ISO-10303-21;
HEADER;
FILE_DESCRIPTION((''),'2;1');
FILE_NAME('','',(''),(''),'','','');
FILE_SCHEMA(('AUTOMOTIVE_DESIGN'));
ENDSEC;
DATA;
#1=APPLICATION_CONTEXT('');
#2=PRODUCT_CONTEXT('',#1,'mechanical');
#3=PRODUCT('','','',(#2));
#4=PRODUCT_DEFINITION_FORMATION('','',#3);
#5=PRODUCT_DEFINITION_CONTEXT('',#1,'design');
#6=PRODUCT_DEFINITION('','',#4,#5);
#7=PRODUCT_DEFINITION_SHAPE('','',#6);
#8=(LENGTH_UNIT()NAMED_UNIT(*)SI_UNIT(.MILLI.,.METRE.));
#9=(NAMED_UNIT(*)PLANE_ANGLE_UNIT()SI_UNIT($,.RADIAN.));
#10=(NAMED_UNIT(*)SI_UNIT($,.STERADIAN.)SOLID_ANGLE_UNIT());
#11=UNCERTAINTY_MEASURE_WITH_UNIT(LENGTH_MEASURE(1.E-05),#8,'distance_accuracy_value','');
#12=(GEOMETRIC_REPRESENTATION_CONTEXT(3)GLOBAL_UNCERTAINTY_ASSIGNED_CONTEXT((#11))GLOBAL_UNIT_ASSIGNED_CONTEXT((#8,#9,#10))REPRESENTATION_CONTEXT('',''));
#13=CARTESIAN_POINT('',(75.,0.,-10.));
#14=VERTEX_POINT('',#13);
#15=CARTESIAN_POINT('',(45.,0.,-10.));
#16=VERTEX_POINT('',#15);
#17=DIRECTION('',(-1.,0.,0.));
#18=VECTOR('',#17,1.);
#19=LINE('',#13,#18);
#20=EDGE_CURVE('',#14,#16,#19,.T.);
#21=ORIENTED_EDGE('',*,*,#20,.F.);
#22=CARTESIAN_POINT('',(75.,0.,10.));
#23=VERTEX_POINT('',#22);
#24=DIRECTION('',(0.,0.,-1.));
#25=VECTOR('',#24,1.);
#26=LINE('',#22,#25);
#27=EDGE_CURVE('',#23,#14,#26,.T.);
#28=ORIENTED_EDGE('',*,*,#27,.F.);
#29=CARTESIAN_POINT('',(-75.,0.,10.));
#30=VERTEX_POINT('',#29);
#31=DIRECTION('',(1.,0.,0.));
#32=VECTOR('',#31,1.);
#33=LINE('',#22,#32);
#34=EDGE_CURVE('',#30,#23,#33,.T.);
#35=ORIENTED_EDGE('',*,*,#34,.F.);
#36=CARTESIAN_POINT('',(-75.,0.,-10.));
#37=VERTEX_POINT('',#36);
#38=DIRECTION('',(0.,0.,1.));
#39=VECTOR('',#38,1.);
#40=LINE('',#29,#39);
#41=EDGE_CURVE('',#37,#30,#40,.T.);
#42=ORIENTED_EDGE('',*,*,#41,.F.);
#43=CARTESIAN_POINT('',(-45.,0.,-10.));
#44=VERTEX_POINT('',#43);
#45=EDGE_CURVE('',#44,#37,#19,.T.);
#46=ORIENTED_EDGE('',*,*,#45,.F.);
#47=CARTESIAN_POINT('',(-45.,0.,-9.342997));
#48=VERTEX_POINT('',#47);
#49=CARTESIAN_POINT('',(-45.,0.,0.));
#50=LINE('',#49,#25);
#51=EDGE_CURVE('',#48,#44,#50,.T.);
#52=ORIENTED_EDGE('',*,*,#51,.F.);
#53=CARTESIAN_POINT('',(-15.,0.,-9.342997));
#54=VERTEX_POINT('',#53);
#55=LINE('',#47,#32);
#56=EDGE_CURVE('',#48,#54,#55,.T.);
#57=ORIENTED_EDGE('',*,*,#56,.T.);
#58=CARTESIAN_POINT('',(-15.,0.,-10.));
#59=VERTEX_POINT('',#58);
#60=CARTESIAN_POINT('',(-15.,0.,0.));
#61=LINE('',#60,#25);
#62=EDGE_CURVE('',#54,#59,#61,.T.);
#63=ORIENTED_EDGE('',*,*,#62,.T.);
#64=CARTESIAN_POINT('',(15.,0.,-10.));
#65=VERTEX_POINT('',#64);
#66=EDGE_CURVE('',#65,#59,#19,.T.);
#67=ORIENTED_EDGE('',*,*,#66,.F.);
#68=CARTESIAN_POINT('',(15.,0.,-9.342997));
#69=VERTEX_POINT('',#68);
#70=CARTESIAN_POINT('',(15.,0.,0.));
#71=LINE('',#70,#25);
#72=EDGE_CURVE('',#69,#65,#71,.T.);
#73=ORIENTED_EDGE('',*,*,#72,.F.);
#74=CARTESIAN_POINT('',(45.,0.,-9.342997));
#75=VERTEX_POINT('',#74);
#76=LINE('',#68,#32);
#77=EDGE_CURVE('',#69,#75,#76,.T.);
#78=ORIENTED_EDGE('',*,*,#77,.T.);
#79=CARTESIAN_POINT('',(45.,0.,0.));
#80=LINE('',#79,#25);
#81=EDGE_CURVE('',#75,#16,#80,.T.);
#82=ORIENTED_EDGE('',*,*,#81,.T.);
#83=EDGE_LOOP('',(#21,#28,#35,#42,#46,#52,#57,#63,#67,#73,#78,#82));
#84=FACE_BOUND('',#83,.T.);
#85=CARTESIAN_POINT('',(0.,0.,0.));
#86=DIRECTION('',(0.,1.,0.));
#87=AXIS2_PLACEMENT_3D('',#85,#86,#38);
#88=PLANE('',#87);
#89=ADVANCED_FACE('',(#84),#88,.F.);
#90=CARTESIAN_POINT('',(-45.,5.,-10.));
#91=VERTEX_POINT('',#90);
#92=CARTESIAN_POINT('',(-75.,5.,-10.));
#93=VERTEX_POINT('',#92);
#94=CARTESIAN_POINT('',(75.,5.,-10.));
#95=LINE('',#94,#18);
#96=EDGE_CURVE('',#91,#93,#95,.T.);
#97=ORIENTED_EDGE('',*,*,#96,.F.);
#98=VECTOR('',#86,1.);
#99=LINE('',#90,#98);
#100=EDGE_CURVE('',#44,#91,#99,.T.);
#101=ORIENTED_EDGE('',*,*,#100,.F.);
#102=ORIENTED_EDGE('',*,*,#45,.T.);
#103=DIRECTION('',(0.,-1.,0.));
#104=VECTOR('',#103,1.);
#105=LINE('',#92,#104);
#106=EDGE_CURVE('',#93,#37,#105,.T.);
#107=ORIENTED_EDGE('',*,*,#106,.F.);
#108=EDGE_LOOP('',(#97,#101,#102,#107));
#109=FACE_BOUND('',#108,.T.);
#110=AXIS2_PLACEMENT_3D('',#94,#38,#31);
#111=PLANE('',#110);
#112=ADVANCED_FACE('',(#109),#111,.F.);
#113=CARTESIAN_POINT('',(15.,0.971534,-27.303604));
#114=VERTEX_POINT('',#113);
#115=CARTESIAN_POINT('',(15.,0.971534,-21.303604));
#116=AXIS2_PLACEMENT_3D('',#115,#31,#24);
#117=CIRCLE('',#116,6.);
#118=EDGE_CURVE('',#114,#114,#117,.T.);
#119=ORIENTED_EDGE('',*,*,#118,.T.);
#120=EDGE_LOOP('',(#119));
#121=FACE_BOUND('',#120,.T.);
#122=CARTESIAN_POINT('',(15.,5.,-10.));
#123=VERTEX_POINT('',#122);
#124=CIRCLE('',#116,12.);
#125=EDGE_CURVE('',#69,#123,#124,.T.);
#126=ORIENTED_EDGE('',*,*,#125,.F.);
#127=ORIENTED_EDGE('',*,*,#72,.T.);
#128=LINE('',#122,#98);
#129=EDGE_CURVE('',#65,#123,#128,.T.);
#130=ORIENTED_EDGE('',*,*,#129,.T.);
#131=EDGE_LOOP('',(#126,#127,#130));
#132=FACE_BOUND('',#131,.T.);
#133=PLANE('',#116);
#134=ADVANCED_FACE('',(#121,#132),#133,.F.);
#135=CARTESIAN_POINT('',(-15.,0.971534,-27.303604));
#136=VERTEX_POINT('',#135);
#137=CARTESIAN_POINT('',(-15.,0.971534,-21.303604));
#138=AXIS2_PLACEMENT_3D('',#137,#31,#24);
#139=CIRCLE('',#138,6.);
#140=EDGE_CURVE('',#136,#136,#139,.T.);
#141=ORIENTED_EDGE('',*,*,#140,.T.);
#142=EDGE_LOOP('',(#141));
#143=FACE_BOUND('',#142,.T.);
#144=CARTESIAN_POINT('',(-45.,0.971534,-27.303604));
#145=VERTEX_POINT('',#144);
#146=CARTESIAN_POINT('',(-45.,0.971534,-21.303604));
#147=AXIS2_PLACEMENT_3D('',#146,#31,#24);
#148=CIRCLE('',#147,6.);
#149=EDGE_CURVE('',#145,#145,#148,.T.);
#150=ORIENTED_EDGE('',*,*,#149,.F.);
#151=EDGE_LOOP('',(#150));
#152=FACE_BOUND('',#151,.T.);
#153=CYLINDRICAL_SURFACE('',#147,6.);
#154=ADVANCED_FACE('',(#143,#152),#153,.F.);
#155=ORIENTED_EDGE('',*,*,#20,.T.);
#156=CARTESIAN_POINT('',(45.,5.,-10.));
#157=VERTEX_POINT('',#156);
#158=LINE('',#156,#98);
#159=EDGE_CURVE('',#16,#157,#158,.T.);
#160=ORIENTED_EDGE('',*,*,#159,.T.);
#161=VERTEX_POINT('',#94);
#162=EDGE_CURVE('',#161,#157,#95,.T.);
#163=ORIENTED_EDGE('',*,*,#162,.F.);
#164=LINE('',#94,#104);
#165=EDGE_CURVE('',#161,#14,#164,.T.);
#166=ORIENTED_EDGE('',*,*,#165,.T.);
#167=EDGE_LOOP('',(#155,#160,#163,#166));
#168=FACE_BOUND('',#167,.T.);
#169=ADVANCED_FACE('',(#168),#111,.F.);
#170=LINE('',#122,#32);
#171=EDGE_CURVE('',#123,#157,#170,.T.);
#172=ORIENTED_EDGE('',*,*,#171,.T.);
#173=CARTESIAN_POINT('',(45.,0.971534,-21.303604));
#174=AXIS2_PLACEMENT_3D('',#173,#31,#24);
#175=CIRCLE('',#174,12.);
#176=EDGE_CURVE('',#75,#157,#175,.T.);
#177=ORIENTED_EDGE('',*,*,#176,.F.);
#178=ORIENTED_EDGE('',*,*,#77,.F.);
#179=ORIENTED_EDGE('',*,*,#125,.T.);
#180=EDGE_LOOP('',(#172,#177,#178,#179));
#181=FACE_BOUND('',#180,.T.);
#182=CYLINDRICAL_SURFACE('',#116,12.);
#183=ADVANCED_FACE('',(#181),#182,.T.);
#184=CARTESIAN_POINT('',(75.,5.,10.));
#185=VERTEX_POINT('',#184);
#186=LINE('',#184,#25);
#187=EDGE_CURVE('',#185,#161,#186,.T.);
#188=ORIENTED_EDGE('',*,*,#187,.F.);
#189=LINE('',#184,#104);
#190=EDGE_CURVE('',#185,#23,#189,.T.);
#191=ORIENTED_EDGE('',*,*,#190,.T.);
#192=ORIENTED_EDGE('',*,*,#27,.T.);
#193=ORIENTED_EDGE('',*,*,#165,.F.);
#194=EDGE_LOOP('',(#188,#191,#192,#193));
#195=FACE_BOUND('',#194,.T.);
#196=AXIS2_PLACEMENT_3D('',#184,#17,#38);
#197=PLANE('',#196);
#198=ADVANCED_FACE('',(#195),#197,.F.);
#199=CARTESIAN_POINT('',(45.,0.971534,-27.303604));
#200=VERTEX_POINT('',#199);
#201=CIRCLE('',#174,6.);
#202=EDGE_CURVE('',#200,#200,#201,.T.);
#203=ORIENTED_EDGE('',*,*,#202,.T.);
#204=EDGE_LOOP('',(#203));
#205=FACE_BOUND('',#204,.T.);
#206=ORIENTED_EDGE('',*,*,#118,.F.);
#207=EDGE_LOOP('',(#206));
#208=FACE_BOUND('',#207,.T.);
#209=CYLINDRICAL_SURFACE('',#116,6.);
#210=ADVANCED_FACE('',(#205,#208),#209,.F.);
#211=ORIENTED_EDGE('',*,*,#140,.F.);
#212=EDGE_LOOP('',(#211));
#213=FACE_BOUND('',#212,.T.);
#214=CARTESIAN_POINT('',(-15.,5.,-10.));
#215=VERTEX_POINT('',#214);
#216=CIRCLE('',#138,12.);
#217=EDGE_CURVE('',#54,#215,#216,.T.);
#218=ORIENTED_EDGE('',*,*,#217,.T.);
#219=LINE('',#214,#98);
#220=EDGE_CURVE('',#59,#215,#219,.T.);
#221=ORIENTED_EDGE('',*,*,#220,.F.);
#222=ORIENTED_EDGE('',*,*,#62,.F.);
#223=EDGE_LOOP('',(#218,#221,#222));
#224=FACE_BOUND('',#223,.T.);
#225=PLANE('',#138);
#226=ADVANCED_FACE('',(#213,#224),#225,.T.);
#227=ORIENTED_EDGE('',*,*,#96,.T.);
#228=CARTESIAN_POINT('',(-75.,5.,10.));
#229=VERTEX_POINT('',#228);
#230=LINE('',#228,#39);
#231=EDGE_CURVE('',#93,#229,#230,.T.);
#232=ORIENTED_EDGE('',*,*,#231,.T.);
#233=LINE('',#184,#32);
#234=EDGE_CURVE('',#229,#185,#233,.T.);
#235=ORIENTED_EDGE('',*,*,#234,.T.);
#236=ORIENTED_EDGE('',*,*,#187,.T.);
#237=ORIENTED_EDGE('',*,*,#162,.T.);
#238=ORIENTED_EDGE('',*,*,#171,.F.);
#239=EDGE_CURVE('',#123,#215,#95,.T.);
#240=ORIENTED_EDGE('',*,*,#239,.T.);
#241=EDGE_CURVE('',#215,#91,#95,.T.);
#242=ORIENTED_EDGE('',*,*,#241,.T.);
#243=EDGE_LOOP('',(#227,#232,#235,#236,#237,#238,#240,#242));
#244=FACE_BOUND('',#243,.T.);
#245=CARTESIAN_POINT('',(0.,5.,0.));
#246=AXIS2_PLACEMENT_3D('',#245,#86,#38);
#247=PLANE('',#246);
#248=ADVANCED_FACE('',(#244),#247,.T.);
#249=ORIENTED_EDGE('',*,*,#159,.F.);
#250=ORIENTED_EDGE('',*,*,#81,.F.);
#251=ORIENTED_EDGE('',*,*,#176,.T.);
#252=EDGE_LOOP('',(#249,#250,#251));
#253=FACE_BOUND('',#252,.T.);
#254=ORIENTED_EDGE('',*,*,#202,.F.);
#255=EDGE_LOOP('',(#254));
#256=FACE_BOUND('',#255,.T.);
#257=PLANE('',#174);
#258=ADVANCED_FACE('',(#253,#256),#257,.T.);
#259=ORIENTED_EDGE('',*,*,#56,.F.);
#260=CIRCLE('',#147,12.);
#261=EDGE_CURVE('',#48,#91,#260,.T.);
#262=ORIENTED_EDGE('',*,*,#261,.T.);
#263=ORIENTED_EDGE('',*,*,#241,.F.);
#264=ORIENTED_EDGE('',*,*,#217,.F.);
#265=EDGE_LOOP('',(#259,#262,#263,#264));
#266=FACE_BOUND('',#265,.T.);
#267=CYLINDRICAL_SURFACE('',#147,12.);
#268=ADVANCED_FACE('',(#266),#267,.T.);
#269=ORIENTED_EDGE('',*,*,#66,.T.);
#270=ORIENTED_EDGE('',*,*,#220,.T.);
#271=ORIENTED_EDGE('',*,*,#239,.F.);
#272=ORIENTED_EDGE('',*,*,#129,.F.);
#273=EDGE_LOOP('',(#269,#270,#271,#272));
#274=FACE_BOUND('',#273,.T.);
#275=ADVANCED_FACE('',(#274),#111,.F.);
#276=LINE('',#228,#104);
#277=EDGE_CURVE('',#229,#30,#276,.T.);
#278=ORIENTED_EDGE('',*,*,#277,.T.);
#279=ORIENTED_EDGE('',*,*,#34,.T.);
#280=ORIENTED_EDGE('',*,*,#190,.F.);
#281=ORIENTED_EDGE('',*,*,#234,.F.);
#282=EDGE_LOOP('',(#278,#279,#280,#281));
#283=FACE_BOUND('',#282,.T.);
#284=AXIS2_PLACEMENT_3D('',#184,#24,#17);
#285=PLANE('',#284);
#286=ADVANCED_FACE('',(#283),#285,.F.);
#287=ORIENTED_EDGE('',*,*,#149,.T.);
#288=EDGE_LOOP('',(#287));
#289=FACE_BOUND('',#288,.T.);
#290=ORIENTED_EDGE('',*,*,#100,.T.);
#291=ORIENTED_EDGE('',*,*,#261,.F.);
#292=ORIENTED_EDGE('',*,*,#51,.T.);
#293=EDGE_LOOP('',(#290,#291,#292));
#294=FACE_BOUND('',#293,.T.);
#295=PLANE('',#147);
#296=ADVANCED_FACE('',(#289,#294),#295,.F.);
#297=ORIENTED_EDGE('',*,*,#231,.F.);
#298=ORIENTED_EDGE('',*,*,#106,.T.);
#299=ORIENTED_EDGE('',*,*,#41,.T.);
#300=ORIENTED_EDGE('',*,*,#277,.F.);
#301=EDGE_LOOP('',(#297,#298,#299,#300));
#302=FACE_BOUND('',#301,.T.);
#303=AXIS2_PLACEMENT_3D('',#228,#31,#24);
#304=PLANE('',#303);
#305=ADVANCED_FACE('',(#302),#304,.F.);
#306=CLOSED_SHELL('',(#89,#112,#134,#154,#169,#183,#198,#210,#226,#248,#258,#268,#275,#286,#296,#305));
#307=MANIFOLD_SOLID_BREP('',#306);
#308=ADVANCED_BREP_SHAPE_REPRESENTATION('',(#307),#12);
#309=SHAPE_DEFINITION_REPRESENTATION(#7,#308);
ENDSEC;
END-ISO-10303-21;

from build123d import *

# Parameters (mm, degrees)
SKETCH1_W           = 150
SKETCH1_H           = 20
BOSS_EXTRUDE1_DEPTH = 5
BOSS_EXTRUDE2_START = -60
SKETCH2_R           = 12
SKETCH2_R_2         = 6
BOSS_EXTRUDE2_DEPTH = 30
LPATTERN1_COUNT     = 2
LPATTERN1_PITCH     = 60


with BuildPart() as part:
    # Sketch1 → Boss-Extrude1 (new body)
    with BuildSketch(Plane(origin=(0, 0, 0), x_dir=(1, 0, 0), z_dir=(0, 1, 0))):
        Rectangle(SKETCH1_W, SKETCH1_H)
    extrude(amount=BOSS_EXTRUDE1_DEPTH)

    # Sketch2 → Boss-Extrude2 (add)
    with BuildSketch(Plane(origin=(75, 0, 0), x_dir=(0, 0, -1), z_dir=(1, 0, 0)).offset(BOSS_EXTRUDE2_START)):
        with Locations((21.303604064, 0.97153439)):
            Circle(SKETCH2_R)
        with Locations((21.303604064, 0.97153439)):
            Circle(SKETCH2_R_2, mode=Mode.SUBTRACT)
    boss_extrude2 = extrude(amount=BOSS_EXTRUDE2_DEPTH)

    # LPattern1: Boss-Extrude2 ×2
    with Locations(*[(-i * LPATTERN1_PITCH, 0, 0) for i in range(1, LPATTERN1_COUNT)]):
        add(boss_extrude2)


solid = part.part
